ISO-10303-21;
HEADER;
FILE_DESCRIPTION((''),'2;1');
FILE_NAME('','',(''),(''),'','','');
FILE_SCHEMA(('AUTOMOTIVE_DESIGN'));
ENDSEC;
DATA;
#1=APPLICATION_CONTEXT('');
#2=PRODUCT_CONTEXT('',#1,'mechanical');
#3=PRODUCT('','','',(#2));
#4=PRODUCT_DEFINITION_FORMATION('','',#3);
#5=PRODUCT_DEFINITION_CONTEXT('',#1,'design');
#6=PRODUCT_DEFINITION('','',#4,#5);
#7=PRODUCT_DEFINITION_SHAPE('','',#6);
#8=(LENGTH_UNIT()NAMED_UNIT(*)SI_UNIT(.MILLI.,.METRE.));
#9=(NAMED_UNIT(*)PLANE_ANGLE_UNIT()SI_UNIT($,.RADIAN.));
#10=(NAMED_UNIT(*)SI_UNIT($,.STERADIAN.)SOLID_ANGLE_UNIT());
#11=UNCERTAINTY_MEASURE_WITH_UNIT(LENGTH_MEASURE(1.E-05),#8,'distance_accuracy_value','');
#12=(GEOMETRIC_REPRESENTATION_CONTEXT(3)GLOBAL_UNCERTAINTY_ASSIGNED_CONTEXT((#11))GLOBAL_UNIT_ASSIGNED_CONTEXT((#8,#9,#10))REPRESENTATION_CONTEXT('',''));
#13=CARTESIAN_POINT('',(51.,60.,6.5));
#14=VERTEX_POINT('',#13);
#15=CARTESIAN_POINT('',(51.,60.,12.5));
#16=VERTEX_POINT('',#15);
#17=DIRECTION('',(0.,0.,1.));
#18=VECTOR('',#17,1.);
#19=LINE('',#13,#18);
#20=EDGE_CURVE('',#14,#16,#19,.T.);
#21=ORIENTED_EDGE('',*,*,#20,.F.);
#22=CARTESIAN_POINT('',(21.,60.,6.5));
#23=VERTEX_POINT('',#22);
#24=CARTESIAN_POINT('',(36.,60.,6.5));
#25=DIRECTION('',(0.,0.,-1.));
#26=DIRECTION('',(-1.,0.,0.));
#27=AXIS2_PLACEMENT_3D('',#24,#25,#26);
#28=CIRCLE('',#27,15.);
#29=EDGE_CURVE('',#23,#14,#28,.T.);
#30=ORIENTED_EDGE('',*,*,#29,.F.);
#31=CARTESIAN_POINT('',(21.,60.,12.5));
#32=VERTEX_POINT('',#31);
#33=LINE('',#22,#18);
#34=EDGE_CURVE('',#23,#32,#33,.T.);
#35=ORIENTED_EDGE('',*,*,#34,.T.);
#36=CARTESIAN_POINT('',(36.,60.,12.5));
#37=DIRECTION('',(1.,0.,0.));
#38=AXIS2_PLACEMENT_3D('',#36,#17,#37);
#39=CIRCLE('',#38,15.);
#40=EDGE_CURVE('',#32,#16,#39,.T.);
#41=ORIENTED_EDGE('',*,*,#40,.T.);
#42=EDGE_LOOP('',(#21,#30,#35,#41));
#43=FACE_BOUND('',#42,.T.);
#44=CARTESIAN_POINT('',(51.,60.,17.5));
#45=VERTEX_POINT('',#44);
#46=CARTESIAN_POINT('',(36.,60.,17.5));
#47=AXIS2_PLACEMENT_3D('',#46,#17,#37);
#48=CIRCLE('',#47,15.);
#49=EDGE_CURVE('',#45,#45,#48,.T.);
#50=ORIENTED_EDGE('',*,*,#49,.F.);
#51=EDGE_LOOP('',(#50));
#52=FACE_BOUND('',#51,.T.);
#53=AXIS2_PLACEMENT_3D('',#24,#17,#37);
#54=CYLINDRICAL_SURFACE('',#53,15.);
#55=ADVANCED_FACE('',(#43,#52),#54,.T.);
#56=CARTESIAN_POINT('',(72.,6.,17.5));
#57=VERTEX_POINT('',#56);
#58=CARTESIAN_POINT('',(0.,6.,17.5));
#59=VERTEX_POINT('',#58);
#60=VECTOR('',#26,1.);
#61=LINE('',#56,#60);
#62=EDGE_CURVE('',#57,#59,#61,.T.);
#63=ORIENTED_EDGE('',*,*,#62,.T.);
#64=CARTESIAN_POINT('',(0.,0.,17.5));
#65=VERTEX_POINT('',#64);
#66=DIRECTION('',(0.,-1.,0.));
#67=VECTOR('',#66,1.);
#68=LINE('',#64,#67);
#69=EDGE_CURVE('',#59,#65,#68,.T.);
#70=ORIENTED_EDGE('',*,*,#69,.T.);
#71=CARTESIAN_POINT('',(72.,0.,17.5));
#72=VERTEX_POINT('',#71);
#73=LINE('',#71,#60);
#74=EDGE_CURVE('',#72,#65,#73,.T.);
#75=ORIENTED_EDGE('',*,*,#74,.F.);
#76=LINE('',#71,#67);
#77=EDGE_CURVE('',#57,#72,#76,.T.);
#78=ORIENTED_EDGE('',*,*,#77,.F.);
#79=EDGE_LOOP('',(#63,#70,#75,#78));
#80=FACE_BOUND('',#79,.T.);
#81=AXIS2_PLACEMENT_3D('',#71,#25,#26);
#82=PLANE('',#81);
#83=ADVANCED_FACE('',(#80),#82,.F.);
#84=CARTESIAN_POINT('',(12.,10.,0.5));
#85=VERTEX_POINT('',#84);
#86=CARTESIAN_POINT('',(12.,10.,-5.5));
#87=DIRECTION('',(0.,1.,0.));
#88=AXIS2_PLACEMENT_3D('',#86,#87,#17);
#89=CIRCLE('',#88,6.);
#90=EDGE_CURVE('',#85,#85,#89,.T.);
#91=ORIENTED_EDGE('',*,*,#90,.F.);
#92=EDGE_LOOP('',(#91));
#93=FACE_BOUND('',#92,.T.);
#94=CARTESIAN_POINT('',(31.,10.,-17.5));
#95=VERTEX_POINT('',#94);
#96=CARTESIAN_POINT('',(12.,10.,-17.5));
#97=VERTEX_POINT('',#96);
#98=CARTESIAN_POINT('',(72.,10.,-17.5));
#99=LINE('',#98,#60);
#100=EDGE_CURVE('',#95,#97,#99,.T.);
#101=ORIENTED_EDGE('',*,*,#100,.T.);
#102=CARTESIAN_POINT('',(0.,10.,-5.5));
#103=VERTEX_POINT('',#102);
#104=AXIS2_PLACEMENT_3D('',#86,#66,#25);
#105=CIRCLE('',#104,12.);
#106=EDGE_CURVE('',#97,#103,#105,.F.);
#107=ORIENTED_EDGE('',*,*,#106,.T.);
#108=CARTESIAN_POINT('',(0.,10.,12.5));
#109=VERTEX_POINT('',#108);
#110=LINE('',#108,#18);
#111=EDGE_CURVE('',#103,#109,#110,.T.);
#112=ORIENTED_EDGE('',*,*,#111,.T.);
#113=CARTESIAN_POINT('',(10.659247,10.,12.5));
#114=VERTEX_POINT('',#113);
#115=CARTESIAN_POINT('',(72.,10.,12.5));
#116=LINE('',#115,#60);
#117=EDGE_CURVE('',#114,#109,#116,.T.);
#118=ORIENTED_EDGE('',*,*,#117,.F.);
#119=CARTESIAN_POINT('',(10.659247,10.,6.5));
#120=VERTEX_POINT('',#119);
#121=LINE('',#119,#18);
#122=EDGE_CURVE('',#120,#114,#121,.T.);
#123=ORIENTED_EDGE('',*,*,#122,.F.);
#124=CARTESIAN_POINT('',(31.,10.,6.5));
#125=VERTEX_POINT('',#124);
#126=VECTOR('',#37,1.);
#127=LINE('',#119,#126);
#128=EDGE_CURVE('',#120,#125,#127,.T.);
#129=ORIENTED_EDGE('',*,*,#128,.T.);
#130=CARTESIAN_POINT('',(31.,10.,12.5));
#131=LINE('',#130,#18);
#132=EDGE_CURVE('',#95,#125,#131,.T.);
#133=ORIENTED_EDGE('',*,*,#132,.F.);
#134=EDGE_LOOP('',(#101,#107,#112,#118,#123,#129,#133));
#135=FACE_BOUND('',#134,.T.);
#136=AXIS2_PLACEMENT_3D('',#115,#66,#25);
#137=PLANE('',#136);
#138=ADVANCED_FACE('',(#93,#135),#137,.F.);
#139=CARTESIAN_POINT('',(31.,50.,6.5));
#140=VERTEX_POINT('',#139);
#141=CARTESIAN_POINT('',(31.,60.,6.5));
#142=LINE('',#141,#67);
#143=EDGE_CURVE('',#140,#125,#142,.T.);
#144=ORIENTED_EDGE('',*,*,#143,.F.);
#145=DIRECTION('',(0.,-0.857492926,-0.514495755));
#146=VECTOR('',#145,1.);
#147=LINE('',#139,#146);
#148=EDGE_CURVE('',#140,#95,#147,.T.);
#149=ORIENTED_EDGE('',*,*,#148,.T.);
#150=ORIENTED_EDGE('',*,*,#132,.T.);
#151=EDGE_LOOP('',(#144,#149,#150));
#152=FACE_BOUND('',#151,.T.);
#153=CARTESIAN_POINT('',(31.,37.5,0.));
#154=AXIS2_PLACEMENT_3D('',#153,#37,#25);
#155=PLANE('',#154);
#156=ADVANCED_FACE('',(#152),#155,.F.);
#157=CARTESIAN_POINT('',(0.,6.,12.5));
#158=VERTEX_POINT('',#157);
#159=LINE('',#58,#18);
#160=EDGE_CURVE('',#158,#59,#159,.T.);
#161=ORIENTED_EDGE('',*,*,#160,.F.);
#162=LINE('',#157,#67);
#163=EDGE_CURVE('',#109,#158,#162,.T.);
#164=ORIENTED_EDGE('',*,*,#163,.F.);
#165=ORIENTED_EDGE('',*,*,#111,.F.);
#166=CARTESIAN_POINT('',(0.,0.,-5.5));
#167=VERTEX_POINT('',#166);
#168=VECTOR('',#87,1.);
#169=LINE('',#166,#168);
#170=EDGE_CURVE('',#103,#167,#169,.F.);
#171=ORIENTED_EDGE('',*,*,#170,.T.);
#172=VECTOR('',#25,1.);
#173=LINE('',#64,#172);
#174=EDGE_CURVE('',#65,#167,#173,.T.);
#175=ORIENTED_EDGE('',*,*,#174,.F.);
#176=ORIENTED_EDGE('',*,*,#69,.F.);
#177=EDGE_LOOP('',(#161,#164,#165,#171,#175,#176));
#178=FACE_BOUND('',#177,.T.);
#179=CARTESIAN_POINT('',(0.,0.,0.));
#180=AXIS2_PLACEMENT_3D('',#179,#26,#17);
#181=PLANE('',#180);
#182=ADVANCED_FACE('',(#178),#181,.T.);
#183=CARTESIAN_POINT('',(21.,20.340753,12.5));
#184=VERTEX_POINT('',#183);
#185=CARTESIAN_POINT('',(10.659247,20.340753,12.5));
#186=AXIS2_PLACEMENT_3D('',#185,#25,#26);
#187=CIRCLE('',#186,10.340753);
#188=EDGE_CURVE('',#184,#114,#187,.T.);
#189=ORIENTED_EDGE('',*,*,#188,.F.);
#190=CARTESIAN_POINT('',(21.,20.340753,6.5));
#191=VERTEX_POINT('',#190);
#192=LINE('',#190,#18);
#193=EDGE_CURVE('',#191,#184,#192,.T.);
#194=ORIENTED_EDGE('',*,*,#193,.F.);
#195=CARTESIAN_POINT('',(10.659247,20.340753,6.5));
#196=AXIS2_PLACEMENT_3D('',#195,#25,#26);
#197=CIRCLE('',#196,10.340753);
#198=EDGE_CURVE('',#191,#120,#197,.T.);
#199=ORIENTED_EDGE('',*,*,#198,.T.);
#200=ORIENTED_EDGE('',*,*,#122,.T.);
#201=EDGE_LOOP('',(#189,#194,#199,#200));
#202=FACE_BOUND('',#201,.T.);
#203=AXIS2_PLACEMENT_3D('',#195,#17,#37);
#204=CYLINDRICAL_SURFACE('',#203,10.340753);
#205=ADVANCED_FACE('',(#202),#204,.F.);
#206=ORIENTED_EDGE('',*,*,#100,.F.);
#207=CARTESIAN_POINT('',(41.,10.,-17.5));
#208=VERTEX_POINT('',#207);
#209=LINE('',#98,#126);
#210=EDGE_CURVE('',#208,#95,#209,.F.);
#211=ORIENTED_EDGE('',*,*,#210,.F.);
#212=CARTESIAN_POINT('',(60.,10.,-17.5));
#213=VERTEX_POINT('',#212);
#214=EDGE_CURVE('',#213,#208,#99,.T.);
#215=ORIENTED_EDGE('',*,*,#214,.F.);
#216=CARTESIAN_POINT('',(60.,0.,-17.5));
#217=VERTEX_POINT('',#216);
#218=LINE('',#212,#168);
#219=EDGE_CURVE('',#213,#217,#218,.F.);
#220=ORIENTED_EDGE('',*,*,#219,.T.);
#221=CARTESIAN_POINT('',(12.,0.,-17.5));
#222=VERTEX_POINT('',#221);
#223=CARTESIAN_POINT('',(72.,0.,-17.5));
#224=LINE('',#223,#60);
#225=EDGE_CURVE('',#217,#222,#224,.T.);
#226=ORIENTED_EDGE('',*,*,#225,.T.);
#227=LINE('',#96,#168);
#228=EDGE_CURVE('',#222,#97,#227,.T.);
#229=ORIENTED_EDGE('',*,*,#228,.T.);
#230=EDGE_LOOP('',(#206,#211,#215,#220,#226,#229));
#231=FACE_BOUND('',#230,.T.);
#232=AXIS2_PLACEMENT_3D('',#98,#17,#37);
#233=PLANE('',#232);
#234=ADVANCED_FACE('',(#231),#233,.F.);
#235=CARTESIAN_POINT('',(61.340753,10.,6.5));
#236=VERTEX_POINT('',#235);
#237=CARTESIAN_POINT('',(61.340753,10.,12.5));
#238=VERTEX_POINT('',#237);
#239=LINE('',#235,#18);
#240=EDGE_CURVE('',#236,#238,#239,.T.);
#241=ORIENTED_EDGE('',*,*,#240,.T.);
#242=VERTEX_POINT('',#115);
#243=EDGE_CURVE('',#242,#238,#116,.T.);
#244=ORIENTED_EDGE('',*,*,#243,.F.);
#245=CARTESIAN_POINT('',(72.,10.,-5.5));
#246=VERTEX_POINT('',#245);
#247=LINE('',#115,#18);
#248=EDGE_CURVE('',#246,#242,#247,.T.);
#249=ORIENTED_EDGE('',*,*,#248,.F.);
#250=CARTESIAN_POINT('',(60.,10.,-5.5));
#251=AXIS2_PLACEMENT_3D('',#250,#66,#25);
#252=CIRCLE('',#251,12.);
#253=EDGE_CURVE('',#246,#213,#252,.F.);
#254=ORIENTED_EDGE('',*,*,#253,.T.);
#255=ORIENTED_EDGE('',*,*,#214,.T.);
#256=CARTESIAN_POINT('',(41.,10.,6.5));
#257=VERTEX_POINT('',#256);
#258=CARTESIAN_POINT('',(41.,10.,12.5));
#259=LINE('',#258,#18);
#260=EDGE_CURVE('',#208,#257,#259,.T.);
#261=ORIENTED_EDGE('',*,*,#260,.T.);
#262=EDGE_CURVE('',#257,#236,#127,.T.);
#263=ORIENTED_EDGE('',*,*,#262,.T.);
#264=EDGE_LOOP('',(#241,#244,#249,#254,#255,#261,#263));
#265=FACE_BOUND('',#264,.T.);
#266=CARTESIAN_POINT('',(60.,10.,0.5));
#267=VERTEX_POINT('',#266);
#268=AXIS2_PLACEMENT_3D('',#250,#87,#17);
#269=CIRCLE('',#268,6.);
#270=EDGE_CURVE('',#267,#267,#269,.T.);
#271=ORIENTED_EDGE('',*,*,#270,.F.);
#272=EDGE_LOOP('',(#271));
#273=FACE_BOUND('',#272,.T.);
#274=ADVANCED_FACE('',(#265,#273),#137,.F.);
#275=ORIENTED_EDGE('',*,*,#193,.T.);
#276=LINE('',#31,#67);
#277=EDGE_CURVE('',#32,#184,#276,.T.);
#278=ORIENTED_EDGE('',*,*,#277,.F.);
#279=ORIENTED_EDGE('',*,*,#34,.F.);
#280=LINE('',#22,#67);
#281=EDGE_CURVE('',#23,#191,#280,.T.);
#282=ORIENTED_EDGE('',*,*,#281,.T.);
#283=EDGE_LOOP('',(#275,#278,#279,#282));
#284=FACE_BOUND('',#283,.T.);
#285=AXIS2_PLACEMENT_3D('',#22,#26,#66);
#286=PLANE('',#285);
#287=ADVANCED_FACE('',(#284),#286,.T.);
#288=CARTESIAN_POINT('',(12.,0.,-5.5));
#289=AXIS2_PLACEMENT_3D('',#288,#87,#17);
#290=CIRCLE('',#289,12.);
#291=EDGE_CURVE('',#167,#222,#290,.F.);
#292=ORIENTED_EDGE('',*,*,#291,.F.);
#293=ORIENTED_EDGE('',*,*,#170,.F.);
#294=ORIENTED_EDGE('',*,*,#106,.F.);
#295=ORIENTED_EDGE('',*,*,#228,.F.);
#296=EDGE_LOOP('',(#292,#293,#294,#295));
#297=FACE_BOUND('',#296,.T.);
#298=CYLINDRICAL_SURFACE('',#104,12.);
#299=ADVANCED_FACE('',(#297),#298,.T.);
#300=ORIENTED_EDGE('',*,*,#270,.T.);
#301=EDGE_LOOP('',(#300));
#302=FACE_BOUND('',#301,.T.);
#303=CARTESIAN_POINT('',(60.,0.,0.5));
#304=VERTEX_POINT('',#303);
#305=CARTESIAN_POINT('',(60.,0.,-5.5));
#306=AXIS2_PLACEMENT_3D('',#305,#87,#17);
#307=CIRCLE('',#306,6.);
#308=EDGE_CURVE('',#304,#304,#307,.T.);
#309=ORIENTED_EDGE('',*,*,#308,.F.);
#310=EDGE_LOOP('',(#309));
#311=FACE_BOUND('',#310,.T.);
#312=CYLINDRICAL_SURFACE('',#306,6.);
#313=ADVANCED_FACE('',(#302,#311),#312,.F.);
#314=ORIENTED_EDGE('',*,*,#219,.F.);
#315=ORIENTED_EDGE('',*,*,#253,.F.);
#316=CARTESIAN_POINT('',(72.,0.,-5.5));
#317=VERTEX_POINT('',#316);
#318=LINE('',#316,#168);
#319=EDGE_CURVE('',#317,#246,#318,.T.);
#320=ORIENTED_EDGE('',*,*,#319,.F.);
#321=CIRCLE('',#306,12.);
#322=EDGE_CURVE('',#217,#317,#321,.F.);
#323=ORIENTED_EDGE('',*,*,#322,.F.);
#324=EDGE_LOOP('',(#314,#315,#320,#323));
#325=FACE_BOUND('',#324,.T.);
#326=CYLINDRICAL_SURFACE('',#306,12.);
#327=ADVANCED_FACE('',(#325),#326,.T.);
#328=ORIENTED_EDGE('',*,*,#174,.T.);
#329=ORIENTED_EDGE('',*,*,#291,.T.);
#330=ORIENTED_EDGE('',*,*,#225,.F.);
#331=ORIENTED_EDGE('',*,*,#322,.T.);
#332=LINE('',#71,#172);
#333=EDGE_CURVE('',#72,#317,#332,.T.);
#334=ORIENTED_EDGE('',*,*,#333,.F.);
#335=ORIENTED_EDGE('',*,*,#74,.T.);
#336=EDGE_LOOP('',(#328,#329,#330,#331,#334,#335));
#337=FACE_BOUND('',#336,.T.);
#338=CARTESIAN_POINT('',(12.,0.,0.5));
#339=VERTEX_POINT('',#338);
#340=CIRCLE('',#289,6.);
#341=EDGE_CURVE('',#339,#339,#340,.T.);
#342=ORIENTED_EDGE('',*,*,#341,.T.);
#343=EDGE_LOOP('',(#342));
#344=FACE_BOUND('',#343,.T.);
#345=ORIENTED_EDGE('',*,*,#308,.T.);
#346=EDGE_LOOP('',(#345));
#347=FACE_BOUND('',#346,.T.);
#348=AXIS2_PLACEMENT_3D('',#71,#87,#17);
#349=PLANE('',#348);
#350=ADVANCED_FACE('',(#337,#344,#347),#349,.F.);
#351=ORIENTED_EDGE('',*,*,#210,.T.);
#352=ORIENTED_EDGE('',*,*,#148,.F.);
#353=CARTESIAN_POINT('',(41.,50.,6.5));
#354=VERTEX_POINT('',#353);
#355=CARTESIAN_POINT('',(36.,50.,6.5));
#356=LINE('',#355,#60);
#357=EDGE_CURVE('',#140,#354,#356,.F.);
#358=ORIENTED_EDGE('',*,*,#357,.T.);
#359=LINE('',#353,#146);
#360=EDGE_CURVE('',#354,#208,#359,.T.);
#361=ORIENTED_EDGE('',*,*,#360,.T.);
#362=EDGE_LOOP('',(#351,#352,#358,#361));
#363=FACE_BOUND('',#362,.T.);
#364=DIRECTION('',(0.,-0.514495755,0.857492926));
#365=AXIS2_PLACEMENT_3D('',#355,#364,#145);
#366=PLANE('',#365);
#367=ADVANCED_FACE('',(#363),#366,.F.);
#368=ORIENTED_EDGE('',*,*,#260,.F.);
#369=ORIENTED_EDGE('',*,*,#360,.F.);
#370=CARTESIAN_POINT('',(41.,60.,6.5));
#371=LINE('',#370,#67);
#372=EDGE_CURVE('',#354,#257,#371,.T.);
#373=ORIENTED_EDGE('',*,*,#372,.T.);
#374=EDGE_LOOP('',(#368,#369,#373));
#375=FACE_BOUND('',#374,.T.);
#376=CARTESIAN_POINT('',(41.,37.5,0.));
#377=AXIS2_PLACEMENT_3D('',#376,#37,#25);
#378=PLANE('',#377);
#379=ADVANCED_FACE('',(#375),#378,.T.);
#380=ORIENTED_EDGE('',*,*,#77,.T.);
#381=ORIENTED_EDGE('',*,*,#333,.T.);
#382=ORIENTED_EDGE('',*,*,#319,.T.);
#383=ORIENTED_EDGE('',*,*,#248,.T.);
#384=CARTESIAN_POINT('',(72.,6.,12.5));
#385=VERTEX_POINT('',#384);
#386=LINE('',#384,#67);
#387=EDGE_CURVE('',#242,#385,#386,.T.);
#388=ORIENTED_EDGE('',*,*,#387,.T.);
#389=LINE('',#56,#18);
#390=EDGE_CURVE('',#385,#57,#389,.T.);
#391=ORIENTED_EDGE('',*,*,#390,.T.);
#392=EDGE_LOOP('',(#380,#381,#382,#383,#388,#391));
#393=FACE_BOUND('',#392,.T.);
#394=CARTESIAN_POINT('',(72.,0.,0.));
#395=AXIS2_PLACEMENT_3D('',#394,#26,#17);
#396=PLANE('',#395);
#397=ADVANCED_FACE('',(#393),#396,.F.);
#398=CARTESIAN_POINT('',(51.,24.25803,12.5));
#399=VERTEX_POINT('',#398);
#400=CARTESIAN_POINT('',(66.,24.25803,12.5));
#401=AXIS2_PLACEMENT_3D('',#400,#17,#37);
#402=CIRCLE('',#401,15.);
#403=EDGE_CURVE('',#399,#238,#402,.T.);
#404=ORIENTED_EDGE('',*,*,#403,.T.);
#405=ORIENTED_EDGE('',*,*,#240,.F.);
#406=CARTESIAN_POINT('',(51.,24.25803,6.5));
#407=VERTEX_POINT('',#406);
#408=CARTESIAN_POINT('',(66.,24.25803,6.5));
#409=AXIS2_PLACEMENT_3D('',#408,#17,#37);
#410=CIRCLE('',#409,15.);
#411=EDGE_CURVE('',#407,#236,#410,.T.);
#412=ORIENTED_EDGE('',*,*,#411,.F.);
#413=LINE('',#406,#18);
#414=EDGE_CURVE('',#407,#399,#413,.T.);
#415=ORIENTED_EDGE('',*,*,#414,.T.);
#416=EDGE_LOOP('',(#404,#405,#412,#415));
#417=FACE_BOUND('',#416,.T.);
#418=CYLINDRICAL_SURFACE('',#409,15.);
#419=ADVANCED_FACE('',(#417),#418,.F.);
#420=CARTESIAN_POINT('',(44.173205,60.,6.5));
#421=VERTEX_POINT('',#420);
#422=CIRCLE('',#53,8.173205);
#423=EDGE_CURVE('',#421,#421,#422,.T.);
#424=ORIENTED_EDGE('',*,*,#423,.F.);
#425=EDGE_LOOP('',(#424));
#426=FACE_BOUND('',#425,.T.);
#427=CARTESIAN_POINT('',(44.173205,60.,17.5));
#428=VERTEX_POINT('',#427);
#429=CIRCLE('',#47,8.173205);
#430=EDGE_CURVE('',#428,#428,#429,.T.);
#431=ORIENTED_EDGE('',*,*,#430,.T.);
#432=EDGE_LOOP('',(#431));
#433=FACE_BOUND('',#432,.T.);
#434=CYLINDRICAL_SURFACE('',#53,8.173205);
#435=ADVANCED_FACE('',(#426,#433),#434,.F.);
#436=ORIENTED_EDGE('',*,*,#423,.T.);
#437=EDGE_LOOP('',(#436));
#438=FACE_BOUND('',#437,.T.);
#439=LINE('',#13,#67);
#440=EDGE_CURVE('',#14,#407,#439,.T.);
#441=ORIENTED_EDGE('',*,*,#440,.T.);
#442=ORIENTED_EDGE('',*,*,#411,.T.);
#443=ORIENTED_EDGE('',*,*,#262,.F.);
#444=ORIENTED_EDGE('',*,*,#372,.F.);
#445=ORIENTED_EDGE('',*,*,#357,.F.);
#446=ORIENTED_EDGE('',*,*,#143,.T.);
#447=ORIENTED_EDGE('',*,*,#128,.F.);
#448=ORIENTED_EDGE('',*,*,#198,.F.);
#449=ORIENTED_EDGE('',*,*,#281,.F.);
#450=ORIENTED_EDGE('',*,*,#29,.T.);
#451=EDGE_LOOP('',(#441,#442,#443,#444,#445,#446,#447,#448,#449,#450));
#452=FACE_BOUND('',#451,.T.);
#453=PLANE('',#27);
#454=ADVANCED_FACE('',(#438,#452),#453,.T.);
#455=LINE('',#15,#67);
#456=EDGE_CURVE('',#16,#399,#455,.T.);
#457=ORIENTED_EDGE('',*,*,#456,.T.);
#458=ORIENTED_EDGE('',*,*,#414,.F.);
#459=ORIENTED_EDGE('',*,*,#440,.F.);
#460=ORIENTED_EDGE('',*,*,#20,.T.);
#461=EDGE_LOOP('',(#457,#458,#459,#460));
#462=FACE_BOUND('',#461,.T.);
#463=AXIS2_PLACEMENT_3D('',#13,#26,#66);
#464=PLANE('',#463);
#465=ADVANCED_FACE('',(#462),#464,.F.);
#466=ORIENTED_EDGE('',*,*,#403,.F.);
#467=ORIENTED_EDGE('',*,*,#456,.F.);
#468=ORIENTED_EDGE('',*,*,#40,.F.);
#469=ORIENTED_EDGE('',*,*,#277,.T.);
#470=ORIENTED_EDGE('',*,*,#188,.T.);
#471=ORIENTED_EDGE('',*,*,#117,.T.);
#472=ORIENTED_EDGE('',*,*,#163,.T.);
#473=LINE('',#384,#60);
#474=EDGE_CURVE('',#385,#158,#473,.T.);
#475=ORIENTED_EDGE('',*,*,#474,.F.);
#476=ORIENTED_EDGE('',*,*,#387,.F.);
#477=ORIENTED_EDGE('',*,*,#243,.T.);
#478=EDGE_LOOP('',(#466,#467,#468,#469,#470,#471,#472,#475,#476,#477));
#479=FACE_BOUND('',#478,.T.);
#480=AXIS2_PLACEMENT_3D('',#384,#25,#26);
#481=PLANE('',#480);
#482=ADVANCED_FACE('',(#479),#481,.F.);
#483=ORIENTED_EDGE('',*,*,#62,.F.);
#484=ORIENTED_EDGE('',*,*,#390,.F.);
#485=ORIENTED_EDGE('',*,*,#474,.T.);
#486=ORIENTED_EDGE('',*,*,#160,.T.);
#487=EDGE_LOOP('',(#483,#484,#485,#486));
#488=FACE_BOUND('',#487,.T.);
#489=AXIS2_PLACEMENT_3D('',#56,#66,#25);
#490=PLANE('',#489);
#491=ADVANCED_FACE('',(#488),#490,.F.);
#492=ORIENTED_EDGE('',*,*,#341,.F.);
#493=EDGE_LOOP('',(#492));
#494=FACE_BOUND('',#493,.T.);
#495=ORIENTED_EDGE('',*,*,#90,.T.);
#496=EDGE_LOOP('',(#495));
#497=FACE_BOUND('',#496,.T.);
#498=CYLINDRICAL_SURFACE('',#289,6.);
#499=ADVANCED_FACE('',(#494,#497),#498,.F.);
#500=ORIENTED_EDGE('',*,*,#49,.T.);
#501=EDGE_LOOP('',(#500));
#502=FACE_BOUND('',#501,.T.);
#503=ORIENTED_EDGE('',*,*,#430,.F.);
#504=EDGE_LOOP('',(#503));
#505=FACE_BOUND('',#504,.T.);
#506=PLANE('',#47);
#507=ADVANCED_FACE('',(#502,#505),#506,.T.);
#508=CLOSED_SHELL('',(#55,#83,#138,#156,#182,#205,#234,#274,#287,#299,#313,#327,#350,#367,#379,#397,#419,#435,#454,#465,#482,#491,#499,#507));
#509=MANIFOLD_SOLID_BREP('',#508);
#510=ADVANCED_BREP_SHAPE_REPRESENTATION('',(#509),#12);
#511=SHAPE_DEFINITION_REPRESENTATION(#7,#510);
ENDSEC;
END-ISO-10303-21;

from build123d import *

# Parameters (mm, degrees)
BOSS_EXTRUDE1_DEPTH = 72
BOSS_EXTRUDE4_DEPTH = 6
SKETCH5_3_R         = 8.173204637
CUT_EXTRUDE1_DEPTH  = 6
BOSS_EXTRUDE6_START = 5
SKETCH7_R           = 15
BOSS_EXTRUDE6_DEPTH = 5
CUT_EXTRUDE3_START  = 5
SKETCH5_6_R         = 8.173204637
CUT_EXTRUDE3_DEPTH  = 5
RIB6_REACH          = 87.013
SKETCH18_WALL_W     = 218.674083686
SKETCH18_WALL_H     = 10
SKETCH20_R          = 6
CUT_EXTRUDE5_DEPTH  = 99.565967758
FILLET12_R          = 12


with BuildPart() as part:
    # Sketch2 → Boss-Extrude1 (new body)
    with BuildSketch(Plane(origin=(0, 0, 0), x_dir=(0, 0, -1), z_dir=(1, 0, 0))):
        Polygon((-17.5, 0), (-17.5, 6), (-12.5, 6), (-12.5, 10), (17.5, 10), (17.5, 0), align=None)
    extrude(amount=BOSS_EXTRUDE1_DEPTH)

    # Sketch5 → Boss-Extrude4 (add)
    with BuildSketch(Plane.XY.offset(12.5)):
        with BuildLine():
            Line((21, 60), (21, 20.340753373))
            ThreePointArc((21, 20.340753373), (17.971263459, 13.028736541), (10.659246627, 10))
            Line((10.659246627, 10), (61.340753373, 10))
            ThreePointArc((61.340753373, 10), (53.857333501, 15.45146146), (51, 24.258030049))
            Line((51, 24.258030049), (51, 60))
            ThreePointArc((51, 60), (36, 75), (21, 60))
        make_face()
    extrude(amount=-BOSS_EXTRUDE4_DEPTH)

    # Sketch5<3> → Cut-Extrude1 (cut)
    with BuildSketch(Plane.XY.offset(12.5)):
        with Locations((36, 60)):
            Circle(SKETCH5_3_R)
    extrude(amount=-CUT_EXTRUDE1_DEPTH, mode=Mode.SUBTRACT)

    # Sketch7 → Boss-Extrude6 (add)
    with BuildSketch(Plane.XY.offset(12.5).offset(BOSS_EXTRUDE6_START)):
        with Locations((36, 60)):
            Circle(SKETCH7_R)
    extrude(amount=-BOSS_EXTRUDE6_DEPTH)

    # Sketch5<6> → Cut-Extrude3 (cut)
    with BuildSketch(Plane.XY.offset(12.5).offset(CUT_EXTRUDE3_START)):
        with Locations((36, 60)):
            Circle(SKETCH5_6_R)
    extrude(amount=-CUT_EXTRUDE3_DEPTH, mode=Mode.SUBTRACT)

    # Sketch18 wall → Rib6 (add, up to next)
    with BuildSketch(Plane(origin=(36, 30, -5.5), x_dir=(0, -0.857492925713, -0.514495755428), z_dir=(0, 0.514495755428, -0.857492925713)), mode=Mode.PRIVATE) as rib6_sk1:
        Rectangle(SKETCH18_WALL_W, SKETCH18_WALL_H)
    rib6_tool1 = extrude(rib6_sk1.sketch, amount=-RIB6_REACH, mode=Mode.PRIVATE) - part.part
    add(rib6_tool1.solids().sort_by_distance((36, 30, -5.5))[0])

    # Sketch20 → Cut-Extrude5 (cut, through all)
    with BuildSketch(Plane(origin=(0, 10, 0), x_dir=(1, 0, 0), z_dir=(0, 1, 0))):
        with Locations((12, 5.5)):
            Circle(SKETCH20_R)
        with Locations((60, 5.5)):
            Circle(SKETCH20_R)
    extrude(amount=-CUT_EXTRUDE5_DEPTH, mode=Mode.SUBTRACT)

    # Fillet12
    fillet12_edges = [part.edges().sort_by_distance(p)[0] for p in [
        (72, 5, -17.5),
        (0, 5, -17.5),
    ]]
    fillet(fillet12_edges, radius=FILLET12_R)


solid = part.part
